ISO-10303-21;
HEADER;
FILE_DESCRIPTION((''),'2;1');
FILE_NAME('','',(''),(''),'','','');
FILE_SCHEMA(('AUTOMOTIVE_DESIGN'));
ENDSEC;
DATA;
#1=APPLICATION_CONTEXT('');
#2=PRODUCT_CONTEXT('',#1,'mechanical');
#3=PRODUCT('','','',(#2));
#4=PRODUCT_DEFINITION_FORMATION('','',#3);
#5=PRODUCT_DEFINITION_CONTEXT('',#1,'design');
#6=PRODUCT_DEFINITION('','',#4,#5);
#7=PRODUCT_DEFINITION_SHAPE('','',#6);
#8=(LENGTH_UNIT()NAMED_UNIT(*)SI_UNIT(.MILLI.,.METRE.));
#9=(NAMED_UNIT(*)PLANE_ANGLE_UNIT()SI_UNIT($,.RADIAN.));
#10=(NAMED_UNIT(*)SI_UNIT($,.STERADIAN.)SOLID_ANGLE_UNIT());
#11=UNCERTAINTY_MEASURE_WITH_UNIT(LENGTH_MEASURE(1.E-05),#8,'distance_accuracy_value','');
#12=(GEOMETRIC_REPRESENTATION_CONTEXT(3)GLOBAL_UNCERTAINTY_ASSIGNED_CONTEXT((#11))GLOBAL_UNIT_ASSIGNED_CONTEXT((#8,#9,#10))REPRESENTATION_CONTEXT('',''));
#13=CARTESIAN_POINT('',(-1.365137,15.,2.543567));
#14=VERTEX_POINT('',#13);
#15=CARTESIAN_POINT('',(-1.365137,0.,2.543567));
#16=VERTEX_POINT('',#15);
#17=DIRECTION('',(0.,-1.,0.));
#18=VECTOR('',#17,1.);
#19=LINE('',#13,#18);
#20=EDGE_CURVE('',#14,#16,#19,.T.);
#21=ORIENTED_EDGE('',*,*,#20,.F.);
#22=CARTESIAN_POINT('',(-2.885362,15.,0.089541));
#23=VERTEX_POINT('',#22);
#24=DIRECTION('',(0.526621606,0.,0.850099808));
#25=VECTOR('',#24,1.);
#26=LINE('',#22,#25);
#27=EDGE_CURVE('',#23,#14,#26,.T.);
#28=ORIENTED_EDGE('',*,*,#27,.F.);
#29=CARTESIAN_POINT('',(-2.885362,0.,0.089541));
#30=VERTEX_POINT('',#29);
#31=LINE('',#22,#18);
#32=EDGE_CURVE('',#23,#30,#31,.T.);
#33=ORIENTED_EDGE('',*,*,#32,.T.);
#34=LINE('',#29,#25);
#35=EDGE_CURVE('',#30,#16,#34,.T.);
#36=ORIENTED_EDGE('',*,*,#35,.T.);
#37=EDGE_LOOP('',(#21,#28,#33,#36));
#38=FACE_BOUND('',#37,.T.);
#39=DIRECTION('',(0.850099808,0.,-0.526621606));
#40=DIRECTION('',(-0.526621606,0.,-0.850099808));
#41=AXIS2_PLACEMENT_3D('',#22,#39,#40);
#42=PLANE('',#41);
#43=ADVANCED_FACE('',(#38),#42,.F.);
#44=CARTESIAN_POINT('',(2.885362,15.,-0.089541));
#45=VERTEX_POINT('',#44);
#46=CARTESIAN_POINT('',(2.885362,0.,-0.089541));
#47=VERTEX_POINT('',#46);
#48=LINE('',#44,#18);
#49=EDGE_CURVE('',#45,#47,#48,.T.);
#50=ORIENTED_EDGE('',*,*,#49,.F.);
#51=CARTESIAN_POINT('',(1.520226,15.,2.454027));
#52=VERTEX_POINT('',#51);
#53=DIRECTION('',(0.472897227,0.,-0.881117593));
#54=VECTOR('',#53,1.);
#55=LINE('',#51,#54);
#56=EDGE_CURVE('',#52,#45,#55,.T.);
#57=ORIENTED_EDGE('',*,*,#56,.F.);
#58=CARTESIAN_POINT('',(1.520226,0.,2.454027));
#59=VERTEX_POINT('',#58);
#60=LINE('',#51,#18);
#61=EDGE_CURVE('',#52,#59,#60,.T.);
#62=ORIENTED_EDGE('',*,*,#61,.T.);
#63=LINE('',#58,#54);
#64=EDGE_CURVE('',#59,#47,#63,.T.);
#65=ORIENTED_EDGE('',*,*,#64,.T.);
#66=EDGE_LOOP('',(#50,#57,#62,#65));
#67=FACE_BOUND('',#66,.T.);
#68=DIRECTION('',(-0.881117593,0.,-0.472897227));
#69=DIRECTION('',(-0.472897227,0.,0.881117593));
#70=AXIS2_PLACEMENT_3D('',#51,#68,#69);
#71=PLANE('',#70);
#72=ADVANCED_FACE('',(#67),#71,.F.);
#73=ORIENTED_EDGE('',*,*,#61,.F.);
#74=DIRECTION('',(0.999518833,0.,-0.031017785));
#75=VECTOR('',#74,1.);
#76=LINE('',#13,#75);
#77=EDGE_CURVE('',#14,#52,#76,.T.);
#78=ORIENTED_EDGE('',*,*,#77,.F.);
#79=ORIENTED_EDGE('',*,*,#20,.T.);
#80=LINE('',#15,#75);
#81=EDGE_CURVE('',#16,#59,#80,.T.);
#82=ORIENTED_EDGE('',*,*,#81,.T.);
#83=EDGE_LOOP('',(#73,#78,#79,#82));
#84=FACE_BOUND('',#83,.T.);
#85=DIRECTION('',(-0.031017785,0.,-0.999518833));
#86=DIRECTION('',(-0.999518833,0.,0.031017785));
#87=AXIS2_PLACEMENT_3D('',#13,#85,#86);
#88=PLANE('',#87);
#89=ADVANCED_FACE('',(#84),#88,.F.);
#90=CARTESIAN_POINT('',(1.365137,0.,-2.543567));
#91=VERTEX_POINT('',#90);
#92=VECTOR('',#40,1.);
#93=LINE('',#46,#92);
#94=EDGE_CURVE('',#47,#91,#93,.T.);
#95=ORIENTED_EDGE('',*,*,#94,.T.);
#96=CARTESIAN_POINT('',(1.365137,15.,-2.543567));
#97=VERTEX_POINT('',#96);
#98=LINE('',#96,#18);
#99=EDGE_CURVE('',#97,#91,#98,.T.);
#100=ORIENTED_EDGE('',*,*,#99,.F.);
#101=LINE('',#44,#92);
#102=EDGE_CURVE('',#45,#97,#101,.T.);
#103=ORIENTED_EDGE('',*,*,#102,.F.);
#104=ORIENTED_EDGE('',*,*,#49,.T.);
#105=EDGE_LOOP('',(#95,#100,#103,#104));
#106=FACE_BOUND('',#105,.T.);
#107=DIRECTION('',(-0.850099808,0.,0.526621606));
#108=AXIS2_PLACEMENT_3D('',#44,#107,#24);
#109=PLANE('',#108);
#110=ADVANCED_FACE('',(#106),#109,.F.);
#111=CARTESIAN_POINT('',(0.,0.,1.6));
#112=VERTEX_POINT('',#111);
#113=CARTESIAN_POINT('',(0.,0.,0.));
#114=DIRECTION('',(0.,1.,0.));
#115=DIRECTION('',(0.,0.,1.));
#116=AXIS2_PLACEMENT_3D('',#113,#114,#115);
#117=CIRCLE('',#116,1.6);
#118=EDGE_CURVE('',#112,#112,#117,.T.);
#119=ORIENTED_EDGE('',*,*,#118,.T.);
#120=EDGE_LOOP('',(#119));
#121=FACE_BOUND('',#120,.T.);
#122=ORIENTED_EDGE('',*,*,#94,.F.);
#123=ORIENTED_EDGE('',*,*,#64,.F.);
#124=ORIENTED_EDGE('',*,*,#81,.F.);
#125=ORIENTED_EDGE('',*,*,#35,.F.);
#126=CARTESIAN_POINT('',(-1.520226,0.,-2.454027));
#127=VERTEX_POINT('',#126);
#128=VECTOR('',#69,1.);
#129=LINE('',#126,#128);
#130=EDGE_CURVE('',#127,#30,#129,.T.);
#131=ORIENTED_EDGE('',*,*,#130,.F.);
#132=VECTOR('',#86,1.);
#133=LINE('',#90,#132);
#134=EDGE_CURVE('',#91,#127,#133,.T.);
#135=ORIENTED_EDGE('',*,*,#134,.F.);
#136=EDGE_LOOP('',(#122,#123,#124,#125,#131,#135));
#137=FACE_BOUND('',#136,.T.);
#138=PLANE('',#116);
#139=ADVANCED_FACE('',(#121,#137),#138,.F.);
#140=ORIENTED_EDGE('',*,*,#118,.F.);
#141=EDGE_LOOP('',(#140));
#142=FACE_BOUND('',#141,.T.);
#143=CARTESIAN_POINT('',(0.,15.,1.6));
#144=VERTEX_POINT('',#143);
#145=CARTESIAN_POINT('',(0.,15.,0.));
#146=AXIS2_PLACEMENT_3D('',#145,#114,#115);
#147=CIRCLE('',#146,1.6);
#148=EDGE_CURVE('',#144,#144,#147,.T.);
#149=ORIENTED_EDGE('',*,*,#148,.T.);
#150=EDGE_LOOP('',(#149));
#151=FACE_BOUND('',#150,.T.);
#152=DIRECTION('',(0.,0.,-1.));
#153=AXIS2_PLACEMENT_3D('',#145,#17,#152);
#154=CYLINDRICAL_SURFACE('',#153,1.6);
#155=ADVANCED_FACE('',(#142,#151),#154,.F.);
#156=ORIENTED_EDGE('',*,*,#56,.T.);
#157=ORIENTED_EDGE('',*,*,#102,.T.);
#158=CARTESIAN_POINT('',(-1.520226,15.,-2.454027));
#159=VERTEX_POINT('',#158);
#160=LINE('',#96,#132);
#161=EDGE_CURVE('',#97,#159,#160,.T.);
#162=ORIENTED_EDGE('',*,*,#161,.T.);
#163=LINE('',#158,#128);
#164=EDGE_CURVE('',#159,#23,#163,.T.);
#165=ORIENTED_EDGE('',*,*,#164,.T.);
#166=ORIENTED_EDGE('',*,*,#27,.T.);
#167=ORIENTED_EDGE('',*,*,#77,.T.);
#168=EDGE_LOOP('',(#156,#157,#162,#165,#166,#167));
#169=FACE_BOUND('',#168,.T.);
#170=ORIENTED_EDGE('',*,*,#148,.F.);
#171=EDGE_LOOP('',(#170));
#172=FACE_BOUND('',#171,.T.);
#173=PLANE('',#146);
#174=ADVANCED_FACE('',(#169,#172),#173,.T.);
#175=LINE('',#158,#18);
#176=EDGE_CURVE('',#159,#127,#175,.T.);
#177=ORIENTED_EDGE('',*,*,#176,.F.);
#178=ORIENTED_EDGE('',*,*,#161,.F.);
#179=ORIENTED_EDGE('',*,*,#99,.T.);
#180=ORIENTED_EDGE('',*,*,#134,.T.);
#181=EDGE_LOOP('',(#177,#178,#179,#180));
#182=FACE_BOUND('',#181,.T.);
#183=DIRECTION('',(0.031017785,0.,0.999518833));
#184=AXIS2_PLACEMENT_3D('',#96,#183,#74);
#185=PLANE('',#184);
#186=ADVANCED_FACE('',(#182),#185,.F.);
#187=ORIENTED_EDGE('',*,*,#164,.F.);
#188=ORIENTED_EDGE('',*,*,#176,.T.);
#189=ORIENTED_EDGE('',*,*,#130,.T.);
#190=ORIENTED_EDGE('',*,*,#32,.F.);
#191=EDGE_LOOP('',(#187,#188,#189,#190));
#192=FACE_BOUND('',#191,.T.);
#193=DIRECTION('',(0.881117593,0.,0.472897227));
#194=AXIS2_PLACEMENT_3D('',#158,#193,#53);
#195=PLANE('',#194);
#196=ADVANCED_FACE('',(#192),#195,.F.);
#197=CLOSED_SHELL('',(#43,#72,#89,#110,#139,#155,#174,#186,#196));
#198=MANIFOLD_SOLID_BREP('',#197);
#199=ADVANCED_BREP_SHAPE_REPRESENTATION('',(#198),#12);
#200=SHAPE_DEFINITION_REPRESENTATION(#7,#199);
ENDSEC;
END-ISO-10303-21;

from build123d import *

# Parameters (mm, degrees)
SKETCH1_R           = 1.6
BOSS_EXTRUDE1_DEPTH = 15


with BuildPart() as part:
    # Sketch1 → Boss-Extrude1 (new body)
    with BuildSketch(Plane(origin=(0, 0, 0), x_dir=(1, 0, 0), z_dir=(0, 1, 0))):
        Polygon((1.365136707, 2.543567397), (-1.520225629, 2.454026766), (-2.885362336, -0.089540631), (-1.365136707, -2.543567397), (1.520225629, -2.454026766), (2.885362336, 0.089540631), align=None)
        Circle(SKETCH1_R, mode=Mode.SUBTRACT)
    extrude(amount=BOSS_EXTRUDE1_DEPTH)


solid = part.part
